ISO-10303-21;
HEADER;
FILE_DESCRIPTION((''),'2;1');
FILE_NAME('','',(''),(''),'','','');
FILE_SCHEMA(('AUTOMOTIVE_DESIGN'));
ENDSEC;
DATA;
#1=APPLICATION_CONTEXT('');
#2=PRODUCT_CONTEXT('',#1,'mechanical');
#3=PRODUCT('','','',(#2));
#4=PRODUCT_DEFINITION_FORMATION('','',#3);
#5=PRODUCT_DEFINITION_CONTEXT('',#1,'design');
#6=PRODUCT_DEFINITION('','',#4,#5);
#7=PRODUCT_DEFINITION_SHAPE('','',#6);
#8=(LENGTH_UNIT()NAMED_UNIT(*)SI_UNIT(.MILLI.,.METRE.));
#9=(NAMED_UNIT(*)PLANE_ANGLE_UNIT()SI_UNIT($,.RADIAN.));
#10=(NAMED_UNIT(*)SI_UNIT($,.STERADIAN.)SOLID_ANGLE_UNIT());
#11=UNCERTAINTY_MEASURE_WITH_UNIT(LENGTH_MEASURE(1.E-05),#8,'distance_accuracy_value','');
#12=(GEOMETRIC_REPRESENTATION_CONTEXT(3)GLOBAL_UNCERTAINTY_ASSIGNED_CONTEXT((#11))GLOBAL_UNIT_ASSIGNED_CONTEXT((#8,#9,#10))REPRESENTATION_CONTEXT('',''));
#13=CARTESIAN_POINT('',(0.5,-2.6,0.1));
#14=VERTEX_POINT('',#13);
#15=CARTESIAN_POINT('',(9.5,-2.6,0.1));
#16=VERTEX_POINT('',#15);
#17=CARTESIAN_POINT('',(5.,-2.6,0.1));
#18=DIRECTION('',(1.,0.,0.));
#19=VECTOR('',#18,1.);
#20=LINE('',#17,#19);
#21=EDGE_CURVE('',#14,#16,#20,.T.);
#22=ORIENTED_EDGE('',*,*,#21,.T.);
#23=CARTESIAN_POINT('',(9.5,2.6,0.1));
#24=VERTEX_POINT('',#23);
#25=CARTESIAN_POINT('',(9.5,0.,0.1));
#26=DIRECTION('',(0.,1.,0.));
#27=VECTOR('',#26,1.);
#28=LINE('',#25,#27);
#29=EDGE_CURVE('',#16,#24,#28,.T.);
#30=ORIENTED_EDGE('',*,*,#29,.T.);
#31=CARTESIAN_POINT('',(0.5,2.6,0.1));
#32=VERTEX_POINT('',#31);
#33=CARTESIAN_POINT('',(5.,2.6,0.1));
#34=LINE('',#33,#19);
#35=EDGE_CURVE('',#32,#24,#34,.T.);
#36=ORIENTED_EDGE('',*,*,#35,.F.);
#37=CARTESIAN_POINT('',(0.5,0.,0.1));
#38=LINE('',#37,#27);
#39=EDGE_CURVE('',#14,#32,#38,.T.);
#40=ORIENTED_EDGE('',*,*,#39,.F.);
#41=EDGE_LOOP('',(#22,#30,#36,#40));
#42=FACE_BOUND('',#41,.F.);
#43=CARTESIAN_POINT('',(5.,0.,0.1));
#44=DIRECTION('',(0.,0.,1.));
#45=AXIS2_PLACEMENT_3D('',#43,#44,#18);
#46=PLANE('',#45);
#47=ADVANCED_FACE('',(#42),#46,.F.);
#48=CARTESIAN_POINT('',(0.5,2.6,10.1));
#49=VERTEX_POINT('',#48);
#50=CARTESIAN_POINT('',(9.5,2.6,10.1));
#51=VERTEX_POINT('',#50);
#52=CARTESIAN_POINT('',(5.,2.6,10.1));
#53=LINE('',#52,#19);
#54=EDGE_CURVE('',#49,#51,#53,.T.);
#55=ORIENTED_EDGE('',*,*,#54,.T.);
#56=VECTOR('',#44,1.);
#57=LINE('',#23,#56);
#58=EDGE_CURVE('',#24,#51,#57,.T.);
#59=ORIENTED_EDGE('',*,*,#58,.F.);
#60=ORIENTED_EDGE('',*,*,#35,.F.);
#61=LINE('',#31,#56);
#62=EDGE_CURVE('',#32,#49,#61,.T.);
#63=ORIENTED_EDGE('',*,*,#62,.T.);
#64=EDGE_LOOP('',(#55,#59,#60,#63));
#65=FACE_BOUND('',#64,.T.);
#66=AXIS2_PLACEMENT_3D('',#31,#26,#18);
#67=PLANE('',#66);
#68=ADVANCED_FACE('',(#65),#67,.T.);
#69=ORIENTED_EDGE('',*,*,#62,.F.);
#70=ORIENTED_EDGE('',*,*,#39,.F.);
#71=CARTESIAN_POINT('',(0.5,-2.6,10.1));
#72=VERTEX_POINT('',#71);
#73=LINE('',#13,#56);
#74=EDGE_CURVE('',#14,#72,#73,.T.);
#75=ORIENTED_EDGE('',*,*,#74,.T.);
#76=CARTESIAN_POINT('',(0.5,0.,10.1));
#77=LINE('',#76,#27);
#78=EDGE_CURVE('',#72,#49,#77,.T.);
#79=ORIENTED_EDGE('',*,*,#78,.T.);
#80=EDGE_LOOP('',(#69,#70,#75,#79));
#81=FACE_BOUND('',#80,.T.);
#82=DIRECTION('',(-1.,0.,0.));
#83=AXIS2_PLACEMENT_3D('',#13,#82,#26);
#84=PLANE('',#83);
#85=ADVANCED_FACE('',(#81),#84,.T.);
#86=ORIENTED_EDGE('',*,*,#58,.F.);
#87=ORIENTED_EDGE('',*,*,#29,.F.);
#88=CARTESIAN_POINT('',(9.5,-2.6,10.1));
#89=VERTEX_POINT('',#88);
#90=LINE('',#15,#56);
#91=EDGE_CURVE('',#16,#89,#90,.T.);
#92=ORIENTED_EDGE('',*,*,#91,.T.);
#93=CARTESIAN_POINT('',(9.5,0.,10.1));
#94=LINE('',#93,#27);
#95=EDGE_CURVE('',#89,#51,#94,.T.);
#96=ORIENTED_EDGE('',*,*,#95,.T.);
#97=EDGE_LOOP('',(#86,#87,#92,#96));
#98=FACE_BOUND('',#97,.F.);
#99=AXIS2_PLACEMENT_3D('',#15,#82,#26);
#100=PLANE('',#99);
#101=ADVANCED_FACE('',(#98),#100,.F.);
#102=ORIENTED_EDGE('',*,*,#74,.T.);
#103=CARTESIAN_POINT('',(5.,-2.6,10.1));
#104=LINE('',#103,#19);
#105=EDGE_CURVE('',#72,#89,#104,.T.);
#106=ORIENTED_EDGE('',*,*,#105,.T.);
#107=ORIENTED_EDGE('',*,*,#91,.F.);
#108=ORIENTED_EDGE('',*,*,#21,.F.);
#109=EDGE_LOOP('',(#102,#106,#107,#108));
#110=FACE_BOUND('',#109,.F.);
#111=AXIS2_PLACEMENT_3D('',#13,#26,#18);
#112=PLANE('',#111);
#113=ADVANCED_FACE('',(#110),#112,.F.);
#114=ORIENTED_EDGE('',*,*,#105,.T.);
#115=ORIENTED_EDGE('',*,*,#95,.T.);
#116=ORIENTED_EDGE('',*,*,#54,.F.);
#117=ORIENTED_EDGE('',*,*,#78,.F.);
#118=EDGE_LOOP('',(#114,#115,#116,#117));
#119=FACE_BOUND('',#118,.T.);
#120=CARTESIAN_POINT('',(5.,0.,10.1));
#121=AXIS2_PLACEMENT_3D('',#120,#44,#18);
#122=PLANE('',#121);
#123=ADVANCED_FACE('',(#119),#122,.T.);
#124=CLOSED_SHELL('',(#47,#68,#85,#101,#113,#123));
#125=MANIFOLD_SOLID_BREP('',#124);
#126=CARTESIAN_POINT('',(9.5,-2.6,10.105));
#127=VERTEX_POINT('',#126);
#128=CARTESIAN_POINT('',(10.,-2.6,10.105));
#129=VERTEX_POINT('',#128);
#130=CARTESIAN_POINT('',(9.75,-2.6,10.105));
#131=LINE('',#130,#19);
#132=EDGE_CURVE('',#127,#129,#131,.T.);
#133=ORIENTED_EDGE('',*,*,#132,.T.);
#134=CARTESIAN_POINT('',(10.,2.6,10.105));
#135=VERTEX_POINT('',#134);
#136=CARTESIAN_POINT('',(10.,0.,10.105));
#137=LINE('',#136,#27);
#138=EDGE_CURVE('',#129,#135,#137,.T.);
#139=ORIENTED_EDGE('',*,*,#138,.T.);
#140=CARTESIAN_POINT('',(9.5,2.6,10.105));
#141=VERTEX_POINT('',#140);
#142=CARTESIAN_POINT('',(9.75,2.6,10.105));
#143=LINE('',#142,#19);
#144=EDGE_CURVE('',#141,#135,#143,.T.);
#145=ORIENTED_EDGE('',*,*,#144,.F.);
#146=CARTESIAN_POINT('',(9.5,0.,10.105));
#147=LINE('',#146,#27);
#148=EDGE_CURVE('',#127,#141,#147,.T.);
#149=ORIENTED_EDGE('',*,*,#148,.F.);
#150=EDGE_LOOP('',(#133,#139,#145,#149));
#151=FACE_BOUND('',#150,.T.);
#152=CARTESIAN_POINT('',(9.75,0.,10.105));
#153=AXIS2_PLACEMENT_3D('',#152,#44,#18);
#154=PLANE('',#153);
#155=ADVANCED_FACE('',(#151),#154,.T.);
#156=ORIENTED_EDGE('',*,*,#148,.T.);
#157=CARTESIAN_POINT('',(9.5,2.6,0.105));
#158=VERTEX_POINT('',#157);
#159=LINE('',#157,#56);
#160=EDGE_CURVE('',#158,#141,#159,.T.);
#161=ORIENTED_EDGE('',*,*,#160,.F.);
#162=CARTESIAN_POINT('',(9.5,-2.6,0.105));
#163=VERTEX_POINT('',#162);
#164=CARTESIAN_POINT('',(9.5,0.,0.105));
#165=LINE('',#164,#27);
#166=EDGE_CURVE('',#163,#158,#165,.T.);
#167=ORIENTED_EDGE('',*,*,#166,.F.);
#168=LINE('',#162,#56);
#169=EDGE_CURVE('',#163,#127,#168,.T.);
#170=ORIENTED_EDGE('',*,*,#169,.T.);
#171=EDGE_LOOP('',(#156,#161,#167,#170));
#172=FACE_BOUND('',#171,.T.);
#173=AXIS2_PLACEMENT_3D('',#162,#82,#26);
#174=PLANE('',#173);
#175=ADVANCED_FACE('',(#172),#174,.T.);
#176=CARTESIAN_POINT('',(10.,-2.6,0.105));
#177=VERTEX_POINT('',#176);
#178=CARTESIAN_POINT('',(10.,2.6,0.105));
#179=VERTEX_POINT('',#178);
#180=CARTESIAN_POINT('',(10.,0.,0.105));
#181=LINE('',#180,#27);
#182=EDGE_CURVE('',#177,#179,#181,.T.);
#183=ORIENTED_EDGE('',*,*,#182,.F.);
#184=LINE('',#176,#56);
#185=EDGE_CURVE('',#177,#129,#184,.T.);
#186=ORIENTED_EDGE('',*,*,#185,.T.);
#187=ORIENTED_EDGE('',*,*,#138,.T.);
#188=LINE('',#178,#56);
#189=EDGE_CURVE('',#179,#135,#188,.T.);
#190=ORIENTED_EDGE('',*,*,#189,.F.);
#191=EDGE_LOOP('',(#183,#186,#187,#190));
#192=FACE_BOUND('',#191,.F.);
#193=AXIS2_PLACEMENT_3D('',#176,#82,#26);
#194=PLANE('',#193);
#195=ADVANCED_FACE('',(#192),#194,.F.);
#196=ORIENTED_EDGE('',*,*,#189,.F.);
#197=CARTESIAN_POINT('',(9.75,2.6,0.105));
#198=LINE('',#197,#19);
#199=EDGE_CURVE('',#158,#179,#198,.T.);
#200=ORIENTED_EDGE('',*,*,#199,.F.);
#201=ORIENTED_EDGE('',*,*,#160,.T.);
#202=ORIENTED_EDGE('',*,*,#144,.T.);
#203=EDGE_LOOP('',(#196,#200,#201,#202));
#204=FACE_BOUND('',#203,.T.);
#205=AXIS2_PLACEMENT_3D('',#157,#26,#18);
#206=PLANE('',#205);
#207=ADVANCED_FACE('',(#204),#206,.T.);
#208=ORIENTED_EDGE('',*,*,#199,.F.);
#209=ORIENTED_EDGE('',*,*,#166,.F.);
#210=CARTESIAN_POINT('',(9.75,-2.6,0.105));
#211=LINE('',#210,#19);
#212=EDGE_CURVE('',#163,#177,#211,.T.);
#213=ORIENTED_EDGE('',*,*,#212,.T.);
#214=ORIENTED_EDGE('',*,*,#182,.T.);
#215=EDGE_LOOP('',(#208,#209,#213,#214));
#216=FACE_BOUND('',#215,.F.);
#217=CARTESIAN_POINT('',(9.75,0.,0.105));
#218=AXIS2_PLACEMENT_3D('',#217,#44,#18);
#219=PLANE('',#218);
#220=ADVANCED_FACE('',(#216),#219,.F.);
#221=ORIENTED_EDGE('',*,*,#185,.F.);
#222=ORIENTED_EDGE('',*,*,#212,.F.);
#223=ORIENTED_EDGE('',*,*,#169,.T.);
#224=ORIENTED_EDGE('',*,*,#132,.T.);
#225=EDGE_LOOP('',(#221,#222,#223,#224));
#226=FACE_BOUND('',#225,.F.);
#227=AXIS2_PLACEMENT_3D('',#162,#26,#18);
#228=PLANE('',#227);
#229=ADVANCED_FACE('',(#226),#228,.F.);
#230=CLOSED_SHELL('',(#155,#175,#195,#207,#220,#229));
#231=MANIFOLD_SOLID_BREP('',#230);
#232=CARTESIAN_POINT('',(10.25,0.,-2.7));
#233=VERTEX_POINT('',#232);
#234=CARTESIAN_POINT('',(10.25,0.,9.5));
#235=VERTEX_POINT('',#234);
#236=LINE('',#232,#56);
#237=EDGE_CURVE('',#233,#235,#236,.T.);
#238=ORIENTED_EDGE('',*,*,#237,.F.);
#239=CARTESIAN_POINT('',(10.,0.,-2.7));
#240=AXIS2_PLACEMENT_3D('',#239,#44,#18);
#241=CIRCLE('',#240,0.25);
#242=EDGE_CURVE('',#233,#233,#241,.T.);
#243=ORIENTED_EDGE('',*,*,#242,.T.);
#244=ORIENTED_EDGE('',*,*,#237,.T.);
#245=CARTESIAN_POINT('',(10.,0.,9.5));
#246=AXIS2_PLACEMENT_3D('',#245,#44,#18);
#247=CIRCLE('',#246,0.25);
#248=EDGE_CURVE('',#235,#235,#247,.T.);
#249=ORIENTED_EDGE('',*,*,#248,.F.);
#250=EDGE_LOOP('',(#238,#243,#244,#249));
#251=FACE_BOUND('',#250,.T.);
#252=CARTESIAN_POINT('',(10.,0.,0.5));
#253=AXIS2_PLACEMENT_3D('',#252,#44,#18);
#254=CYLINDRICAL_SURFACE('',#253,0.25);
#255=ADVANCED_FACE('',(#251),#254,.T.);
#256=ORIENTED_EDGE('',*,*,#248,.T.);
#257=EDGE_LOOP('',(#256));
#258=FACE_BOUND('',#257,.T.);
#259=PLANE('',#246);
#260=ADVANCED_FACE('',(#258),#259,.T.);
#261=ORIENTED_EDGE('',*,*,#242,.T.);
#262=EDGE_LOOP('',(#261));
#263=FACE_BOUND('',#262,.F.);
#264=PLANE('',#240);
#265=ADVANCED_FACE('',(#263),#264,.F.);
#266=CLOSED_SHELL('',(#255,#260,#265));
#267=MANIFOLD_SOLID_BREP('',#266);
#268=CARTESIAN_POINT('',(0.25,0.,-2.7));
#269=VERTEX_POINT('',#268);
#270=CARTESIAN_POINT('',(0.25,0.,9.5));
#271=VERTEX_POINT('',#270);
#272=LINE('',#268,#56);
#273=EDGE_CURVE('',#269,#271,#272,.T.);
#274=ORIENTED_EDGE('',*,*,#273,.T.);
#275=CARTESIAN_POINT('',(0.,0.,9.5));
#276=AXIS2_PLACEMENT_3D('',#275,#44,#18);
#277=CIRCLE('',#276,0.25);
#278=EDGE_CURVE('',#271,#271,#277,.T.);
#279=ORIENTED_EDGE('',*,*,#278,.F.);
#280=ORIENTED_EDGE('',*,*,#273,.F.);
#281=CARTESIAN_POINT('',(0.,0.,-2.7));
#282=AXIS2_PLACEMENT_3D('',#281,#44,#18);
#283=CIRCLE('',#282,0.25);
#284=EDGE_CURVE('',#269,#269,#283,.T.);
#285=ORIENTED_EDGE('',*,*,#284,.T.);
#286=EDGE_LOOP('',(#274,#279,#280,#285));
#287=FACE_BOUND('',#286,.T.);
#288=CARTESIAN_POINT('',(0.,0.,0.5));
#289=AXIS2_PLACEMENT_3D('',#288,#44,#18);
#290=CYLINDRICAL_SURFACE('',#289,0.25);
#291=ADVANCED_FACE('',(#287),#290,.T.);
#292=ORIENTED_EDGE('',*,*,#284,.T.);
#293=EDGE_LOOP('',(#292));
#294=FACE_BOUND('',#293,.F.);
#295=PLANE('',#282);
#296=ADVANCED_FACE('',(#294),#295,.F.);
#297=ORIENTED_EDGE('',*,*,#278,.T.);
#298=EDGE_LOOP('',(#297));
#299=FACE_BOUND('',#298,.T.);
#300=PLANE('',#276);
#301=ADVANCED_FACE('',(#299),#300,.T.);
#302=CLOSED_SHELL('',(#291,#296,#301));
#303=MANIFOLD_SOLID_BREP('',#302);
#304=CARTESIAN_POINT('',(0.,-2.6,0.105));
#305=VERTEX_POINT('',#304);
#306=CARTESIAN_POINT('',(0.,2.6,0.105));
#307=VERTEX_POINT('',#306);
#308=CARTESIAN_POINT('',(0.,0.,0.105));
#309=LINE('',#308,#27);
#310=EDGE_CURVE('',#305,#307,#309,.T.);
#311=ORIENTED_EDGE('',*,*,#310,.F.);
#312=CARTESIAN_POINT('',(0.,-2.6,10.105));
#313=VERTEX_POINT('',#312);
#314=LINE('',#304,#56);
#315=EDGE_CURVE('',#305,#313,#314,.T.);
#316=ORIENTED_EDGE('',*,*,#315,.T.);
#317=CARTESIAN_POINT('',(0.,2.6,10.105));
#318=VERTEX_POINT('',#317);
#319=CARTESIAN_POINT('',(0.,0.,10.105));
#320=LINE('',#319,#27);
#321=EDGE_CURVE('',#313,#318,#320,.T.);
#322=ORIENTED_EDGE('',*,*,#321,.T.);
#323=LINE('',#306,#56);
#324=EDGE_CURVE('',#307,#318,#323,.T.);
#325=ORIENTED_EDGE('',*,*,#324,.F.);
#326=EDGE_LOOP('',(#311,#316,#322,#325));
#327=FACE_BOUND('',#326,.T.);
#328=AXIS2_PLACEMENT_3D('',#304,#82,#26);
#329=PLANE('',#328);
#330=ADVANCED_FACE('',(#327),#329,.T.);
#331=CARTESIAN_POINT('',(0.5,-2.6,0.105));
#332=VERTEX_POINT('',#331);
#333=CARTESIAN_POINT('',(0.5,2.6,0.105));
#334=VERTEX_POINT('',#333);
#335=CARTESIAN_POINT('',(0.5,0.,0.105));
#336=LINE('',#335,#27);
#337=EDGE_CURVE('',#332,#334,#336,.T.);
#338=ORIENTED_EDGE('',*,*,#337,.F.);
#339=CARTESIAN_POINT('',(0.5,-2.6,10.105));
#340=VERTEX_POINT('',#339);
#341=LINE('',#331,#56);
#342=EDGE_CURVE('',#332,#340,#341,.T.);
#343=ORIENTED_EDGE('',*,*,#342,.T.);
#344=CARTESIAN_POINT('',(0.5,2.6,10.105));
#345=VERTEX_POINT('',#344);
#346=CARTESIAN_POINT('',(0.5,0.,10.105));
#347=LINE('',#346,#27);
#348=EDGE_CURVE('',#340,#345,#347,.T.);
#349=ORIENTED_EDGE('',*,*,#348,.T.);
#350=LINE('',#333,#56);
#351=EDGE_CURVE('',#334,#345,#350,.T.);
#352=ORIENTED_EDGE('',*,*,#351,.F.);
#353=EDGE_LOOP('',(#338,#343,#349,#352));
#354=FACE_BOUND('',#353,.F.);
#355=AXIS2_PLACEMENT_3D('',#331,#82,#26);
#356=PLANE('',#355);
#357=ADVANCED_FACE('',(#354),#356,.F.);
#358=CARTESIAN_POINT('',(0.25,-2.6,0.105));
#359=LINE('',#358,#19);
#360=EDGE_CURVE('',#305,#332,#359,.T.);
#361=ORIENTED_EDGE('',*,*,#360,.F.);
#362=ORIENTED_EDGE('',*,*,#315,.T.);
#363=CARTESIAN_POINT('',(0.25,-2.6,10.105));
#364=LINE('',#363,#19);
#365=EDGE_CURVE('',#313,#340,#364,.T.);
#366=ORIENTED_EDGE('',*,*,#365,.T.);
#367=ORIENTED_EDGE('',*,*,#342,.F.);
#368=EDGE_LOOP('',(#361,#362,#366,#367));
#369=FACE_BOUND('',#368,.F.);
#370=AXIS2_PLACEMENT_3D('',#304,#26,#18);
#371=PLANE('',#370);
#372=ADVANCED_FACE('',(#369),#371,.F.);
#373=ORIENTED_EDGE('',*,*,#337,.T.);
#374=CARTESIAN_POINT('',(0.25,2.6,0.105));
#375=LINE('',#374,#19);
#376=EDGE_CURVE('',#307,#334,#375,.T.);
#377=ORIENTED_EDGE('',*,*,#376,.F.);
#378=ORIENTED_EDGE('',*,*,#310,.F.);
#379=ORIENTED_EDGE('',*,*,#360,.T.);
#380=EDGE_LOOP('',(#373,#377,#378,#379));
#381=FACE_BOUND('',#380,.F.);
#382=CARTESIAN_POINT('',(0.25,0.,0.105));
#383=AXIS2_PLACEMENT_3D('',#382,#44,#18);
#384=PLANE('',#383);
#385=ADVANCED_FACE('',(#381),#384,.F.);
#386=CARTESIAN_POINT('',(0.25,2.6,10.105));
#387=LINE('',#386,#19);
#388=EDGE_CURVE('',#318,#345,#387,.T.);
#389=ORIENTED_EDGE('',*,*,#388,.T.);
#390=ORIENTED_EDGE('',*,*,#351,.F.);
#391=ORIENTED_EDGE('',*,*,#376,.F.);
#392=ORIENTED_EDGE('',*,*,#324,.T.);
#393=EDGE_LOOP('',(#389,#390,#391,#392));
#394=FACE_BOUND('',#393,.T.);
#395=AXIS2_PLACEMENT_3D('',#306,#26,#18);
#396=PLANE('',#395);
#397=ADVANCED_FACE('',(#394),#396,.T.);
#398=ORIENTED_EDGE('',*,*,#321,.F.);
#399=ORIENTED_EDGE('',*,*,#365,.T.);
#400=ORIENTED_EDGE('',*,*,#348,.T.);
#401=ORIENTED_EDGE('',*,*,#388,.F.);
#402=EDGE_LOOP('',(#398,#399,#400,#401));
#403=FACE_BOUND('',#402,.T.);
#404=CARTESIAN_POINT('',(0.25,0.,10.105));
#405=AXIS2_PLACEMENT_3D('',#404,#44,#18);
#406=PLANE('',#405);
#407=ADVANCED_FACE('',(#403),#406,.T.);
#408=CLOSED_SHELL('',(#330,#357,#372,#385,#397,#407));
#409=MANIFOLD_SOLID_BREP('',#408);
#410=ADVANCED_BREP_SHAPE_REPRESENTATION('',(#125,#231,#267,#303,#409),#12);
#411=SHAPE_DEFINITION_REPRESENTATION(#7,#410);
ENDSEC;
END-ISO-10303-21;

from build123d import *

# Parameters (mm, degrees)
SKETCH_W          = 9
SKETCH_H          = 5.2
PAD_DEPTH         = 10
SKETCH001_R       = 0.25
PAD001_DEPTH      = 9
PAD001_DEPTH_BACK = 3.2
SKETCH002_W       = 0.5
SKETCH002_H       = 5.2
PAD002_DEPTH      = 10


with BuildPart() as pad:
    # Sketch → Pad (new body)
    with BuildSketch(Plane.XY.offset(0.1)):
        with Locations((5, 0)):
            Rectangle(SKETCH_W, SKETCH_H)
    extrude(amount=PAD_DEPTH)


with BuildPart() as pad001:
    # Sketch001 → Pad001 (new body, two sides)
    with BuildSketch(Plane.XY.offset(0.5)) as pad001_sk:
        Circle(SKETCH001_R)
        with Locations((10, 0)):
            Circle(SKETCH001_R)
    extrude(amount=PAD001_DEPTH)
    extrude(pad001_sk.sketch, amount=-PAD001_DEPTH_BACK)


with BuildPart() as pad002:
    # Sketch002 → Pad002 (new body)
    with BuildSketch(Plane.XY.offset(0.105)):
        with Locations((0.25, 0)):
            Rectangle(SKETCH002_W, SKETCH002_H)
        with Locations((9.75, 0)):
            Rectangle(SKETCH002_W, SKETCH002_H)
    extrude(amount=PAD002_DEPTH)


solid = Compound([pad.part, pad001.part, pad002.part])
